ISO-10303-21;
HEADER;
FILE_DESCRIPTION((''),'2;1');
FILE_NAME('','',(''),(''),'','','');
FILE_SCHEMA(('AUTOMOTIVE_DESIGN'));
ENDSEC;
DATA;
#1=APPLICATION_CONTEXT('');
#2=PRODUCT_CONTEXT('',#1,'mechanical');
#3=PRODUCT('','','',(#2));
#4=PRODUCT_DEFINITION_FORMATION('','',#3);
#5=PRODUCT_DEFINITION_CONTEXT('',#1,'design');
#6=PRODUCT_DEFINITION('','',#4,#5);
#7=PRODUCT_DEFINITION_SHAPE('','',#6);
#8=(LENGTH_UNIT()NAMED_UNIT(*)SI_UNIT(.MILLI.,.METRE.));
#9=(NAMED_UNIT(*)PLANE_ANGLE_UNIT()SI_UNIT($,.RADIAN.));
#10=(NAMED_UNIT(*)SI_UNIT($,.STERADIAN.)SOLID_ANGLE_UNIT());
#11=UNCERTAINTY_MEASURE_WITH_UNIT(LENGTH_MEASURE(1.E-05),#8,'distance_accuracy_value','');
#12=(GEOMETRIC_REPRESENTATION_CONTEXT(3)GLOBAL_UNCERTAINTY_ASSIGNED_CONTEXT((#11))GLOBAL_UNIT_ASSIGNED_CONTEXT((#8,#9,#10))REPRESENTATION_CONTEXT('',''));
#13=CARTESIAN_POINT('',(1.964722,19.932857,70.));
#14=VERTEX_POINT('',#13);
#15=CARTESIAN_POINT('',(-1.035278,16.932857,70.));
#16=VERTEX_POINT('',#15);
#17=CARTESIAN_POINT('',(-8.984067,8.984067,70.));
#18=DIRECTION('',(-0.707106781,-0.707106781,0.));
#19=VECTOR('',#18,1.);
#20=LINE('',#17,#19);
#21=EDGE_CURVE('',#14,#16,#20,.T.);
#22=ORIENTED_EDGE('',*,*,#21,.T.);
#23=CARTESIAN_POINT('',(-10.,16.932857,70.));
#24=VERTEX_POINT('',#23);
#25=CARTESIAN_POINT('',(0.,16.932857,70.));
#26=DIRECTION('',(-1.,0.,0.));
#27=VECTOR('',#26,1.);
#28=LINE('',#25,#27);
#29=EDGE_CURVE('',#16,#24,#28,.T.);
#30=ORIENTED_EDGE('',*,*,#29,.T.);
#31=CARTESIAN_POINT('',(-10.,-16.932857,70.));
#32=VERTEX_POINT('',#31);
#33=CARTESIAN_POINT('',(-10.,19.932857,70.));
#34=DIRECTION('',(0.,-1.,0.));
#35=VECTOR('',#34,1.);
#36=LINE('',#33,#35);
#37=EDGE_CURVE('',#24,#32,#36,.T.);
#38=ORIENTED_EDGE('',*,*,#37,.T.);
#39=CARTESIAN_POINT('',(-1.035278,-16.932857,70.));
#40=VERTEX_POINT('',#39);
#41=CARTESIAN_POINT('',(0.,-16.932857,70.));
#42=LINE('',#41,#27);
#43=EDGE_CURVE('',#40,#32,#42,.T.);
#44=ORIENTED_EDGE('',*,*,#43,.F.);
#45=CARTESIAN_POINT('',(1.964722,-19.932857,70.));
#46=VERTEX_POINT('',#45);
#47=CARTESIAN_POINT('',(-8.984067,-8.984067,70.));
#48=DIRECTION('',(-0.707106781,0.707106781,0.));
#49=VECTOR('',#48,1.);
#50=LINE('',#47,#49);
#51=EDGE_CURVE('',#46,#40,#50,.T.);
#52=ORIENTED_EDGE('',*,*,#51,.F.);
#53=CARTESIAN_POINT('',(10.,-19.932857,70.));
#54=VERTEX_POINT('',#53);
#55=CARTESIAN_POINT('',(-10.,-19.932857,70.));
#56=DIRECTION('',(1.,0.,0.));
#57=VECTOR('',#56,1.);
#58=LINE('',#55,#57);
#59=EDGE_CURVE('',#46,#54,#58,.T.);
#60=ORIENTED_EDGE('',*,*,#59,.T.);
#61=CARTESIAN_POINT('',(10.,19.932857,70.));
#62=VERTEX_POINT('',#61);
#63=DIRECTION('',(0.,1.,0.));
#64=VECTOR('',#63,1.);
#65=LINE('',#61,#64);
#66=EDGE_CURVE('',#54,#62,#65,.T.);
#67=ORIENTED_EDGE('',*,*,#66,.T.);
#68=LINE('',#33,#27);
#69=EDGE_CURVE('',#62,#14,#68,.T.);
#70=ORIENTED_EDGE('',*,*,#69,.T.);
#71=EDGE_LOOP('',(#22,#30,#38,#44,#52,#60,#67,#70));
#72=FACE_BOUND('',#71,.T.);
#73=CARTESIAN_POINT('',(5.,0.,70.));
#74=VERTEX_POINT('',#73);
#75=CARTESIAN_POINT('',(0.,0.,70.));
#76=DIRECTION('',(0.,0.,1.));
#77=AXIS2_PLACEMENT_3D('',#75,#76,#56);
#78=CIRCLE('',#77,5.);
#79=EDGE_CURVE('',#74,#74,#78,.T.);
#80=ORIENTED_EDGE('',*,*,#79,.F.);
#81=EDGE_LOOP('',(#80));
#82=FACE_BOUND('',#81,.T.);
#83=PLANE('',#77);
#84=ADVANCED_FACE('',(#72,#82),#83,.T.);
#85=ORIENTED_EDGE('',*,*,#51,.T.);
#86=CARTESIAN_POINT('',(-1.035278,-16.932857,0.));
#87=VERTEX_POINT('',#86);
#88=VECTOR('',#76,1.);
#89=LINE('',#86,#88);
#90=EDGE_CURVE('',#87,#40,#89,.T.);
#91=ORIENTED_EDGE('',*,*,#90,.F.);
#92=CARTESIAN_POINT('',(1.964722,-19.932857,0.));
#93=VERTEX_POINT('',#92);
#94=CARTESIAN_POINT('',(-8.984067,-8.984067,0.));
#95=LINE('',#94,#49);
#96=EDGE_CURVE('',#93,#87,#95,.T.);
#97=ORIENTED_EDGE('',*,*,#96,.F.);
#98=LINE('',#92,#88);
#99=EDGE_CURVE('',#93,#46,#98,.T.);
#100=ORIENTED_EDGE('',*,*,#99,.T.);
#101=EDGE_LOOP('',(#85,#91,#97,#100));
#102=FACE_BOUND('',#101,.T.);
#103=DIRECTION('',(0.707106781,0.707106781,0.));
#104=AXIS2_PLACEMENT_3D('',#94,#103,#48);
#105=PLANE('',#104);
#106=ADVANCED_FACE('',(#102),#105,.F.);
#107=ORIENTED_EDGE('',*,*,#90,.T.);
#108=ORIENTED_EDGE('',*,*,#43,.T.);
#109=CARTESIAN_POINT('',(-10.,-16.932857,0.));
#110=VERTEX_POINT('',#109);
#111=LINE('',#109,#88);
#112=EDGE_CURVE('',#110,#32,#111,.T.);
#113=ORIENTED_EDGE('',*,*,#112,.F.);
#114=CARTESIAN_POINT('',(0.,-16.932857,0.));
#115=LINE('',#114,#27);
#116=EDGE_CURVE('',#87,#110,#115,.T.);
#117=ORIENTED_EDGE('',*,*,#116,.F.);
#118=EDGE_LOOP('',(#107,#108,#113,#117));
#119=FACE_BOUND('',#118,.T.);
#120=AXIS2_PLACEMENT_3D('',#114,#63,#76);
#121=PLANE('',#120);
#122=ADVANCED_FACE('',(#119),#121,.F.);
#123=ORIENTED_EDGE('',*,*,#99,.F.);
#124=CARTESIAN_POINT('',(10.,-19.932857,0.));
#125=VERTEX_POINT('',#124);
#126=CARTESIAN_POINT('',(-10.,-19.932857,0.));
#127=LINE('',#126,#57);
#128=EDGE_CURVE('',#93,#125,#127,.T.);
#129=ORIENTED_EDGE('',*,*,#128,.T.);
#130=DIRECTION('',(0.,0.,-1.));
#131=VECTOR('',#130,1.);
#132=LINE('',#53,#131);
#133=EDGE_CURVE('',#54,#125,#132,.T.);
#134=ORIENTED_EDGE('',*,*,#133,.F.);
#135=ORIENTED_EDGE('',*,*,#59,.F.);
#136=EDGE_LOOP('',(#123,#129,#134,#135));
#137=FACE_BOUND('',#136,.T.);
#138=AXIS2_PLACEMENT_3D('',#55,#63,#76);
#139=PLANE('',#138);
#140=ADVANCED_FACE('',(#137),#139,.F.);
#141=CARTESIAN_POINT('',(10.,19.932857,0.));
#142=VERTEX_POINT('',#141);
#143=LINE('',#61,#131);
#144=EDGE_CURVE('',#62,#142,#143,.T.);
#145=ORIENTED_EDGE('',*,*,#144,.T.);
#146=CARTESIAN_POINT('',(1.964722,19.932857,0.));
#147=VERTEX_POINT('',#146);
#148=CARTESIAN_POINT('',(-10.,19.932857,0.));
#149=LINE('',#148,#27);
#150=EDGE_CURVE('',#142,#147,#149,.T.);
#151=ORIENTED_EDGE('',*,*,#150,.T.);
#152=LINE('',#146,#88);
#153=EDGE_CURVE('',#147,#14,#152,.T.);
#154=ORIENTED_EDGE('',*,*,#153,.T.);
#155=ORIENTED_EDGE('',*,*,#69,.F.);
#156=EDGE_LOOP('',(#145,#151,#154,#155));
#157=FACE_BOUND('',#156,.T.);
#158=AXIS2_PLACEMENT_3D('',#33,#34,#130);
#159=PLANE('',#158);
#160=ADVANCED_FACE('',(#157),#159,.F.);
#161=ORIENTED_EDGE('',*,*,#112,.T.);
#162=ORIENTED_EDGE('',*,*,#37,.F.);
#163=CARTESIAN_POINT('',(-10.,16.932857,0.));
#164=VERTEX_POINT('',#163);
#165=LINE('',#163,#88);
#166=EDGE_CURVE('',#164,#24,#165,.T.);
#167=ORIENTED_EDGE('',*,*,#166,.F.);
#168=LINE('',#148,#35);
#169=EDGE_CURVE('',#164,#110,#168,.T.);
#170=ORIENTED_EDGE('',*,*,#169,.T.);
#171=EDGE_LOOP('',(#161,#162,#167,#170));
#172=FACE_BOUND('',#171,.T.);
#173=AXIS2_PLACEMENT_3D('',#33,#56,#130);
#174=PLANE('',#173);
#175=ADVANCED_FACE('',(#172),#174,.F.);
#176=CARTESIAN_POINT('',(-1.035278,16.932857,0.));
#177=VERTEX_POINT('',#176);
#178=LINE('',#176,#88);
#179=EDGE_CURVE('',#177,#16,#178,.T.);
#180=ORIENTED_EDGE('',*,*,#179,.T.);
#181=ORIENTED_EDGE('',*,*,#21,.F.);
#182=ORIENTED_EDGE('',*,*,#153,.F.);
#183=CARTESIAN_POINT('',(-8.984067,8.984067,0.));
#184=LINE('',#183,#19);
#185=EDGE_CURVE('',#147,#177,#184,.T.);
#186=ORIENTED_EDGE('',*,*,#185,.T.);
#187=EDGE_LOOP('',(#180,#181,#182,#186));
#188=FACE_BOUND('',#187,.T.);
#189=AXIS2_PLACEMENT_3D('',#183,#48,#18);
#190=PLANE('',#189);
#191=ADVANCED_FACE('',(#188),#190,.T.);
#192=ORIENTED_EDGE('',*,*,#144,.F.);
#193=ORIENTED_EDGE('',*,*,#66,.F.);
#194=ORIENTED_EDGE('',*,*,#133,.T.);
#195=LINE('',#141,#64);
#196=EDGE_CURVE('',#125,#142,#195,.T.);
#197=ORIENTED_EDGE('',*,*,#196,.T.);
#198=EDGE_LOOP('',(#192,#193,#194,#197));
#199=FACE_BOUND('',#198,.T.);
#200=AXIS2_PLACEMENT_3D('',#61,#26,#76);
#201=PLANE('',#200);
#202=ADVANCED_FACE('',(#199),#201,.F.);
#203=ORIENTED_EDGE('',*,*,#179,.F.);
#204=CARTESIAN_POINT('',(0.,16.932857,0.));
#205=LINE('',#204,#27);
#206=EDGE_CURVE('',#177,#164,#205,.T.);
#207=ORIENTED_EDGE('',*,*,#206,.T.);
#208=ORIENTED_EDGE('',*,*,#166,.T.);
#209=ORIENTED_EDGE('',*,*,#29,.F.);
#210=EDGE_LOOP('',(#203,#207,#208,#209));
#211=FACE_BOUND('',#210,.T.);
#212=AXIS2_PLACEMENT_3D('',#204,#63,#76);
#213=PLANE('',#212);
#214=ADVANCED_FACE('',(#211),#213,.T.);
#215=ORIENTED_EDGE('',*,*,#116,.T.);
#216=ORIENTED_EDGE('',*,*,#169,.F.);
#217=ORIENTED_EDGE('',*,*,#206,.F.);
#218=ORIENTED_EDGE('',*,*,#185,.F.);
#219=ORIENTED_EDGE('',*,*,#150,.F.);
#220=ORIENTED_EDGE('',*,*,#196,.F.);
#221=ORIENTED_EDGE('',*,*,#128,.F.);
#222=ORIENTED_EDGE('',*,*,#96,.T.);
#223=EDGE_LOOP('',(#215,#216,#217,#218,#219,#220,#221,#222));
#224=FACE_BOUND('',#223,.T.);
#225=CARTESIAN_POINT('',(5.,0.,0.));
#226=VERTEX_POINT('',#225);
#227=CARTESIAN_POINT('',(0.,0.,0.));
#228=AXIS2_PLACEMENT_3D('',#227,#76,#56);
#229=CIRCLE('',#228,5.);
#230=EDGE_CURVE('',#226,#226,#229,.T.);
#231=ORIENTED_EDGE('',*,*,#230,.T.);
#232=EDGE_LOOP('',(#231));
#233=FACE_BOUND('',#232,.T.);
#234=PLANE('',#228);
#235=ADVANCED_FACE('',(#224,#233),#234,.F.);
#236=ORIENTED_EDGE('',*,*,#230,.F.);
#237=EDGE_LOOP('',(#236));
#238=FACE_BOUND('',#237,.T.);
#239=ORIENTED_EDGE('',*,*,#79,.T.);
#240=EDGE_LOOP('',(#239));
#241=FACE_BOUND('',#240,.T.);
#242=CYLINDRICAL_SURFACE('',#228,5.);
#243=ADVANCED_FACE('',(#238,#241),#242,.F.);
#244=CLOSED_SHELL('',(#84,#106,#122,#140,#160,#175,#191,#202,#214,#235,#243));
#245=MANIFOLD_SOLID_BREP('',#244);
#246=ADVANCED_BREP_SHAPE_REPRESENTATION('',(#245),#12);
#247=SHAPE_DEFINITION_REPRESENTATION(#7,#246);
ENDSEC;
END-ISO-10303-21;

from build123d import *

# Parameters (mm, degrees)
SKETCH_1_W          = 20
SKETCH_1_H          = 39.865713352
EXTRUDE_1_DEPTH     = 70
CUT_EXTRUDE_1_DEPTH = 70
SKETCH_3_R          = 5
CUT_EXTRUDE_2_DEPTH = 74.466446595


with BuildPart() as part:
    # 草图1 → 凸台-拉伸1 (new body)
    with BuildSketch(Plane.XY):
        Rectangle(SKETCH_1_W, SKETCH_1_H)
    extrude(amount=EXTRUDE_1_DEPTH)

    # 草图2 → 切除-拉伸1 (cut)
    with BuildSketch(Plane.XY.offset(70)):
        Polygon((-10, -19.932856676), (1.964722344, -19.932856676), (-1.035277656, -16.932856676), (-10, -16.932856676), align=None)
        Polygon((-10, 19.932856676), (-10, 16.932856676), (-1.035277656, 16.932856676), (1.964722344, 19.932856676), align=None)
    extrude(amount=-CUT_EXTRUDE_1_DEPTH, mode=Mode.SUBTRACT)

    # 草图3 → 切除-拉伸2 (cut, through all)
    with BuildSketch(Plane.XY.offset(70)):
        Circle(SKETCH_3_R)
    extrude(amount=-CUT_EXTRUDE_2_DEPTH, mode=Mode.SUBTRACT)


solid = part.part
